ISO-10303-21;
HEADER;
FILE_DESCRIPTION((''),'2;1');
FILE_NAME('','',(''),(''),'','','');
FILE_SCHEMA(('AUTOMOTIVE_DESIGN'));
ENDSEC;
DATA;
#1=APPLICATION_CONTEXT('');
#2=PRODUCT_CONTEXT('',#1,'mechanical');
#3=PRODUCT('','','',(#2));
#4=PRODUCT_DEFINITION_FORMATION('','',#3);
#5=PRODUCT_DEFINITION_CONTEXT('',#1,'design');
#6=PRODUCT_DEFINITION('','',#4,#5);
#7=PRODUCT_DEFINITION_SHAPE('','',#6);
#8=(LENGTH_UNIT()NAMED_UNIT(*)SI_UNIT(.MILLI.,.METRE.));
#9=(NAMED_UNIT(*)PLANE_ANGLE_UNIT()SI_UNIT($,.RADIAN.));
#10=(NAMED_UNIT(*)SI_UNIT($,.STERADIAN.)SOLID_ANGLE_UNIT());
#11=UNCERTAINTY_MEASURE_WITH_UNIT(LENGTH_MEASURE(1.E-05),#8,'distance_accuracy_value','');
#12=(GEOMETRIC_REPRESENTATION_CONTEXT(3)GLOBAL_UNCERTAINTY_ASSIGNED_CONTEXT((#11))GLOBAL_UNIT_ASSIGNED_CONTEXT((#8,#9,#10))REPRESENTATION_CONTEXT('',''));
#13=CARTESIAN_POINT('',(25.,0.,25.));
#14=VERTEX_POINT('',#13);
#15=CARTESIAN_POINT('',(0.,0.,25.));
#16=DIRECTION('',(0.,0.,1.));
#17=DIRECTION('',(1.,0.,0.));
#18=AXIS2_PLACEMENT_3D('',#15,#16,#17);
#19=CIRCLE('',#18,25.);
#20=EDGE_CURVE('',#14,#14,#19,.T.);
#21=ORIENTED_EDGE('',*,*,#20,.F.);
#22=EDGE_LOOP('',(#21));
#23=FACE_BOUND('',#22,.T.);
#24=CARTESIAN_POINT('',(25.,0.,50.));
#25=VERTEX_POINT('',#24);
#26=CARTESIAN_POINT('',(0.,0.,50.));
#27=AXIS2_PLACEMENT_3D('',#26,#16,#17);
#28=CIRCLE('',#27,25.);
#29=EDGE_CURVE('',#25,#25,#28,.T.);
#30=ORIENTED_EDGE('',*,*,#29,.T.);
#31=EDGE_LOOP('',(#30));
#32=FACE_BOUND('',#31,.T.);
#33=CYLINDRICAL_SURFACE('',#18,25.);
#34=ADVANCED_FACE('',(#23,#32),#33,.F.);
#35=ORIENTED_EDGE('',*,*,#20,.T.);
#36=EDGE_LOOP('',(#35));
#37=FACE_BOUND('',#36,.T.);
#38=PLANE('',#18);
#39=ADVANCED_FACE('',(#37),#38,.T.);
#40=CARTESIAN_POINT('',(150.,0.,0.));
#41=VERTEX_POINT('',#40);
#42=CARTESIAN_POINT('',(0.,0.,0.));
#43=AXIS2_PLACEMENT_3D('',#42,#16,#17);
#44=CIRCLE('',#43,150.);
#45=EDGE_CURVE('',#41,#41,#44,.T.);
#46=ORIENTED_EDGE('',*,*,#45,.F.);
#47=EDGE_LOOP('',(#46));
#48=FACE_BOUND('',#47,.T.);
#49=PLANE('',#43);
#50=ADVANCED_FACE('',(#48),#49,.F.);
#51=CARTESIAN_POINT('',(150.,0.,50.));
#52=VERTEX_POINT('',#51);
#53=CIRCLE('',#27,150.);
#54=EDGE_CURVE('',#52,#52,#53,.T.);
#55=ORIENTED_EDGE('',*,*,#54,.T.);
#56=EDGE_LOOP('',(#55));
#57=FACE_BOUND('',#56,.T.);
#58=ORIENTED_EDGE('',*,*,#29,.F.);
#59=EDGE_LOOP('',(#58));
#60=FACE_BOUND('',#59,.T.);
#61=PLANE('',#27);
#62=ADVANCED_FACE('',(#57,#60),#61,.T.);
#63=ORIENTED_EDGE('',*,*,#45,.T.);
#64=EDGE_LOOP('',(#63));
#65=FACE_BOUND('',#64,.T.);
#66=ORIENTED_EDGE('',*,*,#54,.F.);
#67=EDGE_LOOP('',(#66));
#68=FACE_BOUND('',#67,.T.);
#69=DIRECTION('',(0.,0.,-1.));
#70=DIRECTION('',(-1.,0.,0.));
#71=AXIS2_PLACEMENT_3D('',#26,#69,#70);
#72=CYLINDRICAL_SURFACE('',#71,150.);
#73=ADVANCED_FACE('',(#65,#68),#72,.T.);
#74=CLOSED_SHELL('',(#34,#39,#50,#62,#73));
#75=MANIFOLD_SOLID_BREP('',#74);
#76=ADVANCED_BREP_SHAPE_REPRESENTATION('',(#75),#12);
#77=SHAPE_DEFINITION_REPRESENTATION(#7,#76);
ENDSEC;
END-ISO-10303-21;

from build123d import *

# Parameters (mm, degrees)
SKETCH1_R           = 150
BOSS_EXTRUDE1_DEPTH = 50
SKETCH2_R           = 25
CUT_EXTRUDE1_DEPTH  = 25


with BuildPart() as part:
    # Sketch1 → Boss-Extrude1 (new body)
    with BuildSketch(Plane.XY):
        Circle(SKETCH1_R)
    extrude(amount=BOSS_EXTRUDE1_DEPTH)

    # Sketch2 → Cut-Extrude1 (cut)
    with BuildSketch(Plane.XY.offset(50)):
        Circle(SKETCH2_R)
    extrude(amount=-CUT_EXTRUDE1_DEPTH, mode=Mode.SUBTRACT)


solid = part.part
